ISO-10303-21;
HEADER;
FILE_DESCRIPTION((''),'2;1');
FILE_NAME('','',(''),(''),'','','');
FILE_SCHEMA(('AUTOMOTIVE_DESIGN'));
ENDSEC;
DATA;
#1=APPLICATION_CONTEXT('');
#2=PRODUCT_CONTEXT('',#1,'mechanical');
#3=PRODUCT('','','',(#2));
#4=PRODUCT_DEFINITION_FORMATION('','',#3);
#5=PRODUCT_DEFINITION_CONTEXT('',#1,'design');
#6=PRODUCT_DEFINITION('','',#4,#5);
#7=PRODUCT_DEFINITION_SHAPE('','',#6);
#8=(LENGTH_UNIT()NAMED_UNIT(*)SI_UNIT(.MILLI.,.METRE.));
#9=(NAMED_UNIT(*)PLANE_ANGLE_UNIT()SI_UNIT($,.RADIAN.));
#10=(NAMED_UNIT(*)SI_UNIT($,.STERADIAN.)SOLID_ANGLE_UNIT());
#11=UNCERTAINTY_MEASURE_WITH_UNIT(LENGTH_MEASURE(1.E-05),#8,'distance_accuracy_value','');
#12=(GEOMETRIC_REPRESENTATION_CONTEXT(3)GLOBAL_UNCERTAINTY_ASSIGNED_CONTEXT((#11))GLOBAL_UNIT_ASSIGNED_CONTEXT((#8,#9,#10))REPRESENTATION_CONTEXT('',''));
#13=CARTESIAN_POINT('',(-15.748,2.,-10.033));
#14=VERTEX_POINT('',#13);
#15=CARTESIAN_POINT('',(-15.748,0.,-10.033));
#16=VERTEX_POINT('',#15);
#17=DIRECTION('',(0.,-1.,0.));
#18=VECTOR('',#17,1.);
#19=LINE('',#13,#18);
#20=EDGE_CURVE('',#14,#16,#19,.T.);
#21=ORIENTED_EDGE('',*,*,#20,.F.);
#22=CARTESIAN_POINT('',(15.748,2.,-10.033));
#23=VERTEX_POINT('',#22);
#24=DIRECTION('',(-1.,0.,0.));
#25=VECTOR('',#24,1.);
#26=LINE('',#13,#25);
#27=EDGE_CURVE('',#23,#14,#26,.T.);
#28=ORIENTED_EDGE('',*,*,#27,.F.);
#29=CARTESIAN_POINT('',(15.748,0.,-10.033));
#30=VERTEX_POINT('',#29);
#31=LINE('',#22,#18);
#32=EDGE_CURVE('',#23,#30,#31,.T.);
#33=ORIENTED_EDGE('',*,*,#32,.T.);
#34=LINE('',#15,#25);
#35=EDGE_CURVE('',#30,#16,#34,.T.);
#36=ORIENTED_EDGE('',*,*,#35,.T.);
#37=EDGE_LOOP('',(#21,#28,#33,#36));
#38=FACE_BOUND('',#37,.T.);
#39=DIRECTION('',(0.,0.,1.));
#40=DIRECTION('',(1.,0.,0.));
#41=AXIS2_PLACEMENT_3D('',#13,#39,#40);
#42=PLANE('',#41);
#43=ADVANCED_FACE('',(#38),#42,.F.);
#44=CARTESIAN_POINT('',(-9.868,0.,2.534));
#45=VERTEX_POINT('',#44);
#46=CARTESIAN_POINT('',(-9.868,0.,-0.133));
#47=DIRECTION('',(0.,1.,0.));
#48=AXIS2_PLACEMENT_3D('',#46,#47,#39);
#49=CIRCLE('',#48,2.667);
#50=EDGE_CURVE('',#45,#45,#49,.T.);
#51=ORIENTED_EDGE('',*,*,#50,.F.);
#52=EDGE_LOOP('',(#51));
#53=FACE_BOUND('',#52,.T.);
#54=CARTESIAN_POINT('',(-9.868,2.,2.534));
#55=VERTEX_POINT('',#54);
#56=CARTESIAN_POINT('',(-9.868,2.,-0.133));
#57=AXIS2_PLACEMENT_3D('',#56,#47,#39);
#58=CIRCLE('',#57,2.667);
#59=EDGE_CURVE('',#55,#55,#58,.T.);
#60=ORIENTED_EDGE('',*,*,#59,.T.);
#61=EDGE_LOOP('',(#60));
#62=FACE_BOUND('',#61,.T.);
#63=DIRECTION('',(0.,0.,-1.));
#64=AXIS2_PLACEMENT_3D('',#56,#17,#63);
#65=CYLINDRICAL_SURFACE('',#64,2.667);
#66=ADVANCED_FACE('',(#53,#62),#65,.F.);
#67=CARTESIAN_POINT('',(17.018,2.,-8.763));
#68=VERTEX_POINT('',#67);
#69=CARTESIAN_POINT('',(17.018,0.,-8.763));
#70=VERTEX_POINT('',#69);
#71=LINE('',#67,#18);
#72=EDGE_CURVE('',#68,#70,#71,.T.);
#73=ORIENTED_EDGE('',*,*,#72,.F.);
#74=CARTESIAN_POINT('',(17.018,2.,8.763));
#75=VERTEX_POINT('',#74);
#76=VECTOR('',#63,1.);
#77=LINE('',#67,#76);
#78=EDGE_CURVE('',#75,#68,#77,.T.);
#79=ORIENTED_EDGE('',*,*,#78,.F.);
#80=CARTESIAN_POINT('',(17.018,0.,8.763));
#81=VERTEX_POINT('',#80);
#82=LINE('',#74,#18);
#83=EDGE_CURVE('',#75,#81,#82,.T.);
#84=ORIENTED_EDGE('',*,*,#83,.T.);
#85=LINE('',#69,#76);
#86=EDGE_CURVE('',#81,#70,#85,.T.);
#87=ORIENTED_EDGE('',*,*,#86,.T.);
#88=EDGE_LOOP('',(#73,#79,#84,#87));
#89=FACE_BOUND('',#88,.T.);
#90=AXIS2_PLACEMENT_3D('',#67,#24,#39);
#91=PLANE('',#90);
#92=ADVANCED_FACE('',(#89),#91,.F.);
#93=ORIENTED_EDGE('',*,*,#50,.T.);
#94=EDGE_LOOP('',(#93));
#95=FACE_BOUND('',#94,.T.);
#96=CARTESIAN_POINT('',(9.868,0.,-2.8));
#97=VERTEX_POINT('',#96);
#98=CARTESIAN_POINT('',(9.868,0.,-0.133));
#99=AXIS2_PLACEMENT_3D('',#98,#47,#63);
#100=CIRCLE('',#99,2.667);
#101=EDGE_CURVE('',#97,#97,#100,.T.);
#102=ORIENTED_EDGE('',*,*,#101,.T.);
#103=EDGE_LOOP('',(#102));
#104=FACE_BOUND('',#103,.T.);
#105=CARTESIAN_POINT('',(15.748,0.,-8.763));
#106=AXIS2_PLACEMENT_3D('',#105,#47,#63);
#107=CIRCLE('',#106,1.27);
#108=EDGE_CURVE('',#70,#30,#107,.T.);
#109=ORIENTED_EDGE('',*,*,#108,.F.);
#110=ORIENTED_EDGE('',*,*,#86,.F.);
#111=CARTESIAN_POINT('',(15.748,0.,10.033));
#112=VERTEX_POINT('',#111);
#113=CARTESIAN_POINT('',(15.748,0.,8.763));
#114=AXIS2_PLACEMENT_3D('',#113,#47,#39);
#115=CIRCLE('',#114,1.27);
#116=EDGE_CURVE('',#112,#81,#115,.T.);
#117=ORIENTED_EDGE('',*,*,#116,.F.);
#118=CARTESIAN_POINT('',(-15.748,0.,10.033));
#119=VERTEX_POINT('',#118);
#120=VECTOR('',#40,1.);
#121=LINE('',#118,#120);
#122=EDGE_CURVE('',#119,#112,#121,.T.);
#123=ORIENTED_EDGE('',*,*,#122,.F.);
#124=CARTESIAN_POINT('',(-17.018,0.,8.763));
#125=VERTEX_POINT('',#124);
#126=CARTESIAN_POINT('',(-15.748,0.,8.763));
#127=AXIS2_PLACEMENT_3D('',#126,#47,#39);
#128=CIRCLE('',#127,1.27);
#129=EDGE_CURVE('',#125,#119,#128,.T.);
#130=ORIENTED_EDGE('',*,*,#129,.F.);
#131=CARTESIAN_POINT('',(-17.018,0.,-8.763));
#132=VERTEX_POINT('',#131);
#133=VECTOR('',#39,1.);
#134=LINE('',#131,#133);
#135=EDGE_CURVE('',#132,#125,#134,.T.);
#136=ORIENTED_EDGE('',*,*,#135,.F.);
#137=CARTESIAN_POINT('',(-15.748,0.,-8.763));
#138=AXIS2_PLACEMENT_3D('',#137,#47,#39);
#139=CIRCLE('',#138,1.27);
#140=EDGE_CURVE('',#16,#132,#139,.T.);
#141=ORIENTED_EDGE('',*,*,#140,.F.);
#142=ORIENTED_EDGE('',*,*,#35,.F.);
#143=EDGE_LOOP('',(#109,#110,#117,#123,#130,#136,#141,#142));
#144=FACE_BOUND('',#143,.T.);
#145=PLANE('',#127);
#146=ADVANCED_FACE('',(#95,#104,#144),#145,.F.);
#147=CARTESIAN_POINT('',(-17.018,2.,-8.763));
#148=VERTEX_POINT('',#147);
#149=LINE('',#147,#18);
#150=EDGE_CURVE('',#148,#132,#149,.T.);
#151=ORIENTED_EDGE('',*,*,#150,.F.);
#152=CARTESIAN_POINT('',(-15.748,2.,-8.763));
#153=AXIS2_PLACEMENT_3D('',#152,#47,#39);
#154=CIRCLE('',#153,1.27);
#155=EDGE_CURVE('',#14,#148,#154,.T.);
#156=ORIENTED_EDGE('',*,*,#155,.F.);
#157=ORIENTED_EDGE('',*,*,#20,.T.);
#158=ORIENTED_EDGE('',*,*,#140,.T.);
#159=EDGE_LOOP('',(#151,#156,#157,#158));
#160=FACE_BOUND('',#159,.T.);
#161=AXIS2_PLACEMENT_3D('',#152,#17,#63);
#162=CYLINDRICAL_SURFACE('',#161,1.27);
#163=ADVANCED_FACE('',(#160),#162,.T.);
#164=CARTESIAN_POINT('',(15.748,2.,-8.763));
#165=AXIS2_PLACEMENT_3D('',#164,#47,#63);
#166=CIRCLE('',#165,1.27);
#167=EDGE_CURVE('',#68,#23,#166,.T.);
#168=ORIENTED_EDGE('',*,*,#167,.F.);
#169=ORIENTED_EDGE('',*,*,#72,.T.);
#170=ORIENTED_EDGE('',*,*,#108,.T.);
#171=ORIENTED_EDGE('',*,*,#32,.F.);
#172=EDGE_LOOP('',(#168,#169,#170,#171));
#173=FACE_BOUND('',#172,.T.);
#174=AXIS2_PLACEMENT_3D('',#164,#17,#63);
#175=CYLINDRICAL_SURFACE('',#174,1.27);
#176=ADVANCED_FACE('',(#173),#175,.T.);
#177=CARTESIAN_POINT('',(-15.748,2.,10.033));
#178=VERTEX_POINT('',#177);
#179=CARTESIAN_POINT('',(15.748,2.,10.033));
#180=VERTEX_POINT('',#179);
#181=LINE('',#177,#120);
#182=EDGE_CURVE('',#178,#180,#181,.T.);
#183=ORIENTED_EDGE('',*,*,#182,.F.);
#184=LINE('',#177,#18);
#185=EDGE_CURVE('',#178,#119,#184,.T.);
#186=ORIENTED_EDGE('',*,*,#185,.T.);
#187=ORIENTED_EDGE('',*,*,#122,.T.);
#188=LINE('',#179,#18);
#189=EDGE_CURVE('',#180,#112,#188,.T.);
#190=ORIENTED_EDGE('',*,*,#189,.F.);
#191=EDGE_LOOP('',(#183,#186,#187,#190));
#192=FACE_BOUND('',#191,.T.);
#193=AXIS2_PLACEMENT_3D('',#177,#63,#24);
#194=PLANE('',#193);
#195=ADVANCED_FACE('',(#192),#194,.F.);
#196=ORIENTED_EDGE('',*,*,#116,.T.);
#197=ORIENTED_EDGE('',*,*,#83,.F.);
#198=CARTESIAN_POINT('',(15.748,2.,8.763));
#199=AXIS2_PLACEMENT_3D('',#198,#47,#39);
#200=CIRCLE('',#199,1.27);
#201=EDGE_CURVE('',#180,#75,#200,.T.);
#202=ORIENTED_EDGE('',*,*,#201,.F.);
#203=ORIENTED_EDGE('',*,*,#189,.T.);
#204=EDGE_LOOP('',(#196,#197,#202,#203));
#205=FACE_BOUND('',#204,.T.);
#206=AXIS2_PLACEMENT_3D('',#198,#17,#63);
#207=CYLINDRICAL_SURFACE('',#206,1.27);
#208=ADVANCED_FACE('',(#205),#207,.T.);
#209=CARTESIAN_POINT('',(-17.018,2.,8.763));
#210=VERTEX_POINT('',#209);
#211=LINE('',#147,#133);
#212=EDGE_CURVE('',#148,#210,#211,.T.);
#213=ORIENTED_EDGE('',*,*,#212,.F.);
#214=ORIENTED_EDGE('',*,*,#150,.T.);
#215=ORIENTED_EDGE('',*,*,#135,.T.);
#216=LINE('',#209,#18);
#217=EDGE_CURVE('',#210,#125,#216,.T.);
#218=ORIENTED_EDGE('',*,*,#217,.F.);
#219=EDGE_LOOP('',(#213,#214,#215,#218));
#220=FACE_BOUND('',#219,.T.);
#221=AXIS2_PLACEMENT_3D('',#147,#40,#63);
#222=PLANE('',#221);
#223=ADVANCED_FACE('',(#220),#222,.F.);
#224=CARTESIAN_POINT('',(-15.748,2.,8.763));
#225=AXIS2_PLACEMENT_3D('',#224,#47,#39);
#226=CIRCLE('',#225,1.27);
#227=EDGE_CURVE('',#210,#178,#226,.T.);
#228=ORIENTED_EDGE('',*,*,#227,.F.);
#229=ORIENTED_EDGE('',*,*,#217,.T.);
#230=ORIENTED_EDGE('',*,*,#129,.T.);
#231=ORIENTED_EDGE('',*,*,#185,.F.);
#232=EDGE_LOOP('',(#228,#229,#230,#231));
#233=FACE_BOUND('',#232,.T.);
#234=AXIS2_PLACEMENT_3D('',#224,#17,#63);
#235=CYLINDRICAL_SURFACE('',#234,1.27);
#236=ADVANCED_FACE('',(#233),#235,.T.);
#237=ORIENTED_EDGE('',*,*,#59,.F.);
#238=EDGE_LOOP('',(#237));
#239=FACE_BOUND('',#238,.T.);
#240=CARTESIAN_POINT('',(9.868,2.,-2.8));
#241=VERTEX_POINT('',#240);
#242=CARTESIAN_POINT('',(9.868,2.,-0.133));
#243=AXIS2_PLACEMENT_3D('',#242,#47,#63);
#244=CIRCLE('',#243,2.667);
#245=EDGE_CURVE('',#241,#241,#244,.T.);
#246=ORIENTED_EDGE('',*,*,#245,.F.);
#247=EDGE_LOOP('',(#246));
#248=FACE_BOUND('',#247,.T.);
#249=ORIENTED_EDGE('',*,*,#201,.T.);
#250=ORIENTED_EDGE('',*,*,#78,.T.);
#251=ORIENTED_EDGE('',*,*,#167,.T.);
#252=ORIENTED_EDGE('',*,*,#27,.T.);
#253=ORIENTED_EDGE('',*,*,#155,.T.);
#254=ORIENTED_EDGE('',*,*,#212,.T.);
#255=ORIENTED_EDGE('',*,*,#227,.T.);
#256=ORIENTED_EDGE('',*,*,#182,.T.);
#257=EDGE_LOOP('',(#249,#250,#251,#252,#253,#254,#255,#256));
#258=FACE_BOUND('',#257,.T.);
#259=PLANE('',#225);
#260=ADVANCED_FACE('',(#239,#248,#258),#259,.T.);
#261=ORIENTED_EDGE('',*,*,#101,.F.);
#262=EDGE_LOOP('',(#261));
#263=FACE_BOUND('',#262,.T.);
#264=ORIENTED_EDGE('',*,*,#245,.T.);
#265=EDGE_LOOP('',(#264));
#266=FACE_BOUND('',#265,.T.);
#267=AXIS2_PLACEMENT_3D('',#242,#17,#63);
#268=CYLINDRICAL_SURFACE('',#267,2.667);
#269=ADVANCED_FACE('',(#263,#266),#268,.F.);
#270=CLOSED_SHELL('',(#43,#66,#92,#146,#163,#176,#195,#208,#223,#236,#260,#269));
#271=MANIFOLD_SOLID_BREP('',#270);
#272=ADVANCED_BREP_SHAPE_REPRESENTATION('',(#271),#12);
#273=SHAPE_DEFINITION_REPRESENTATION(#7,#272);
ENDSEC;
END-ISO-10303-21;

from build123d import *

# Parameters (mm, degrees)
SKETCH1_R           = 2.667
BOSS_EXTRUDE1_DEPTH = 2


with BuildPart() as part:
    # Sketch1 → Boss-Extrude1 (new body)
    with BuildSketch(Plane(origin=(0, 0, 0), x_dir=(1, 0, 0), z_dir=(0, 1, 0))):
        with BuildLine():
            Line((-15.748, 10.033), (15.748, 10.033))
            ThreePointArc((15.748, 10.033), (16.646025612, 9.661025612), (17.018, 8.763))
            Line((17.018, 8.763), (17.018, -8.763))
            ThreePointArc((17.018, -8.763), (16.646025612, -9.661025612), (15.748, -10.033))
            Line((15.748, -10.033), (-15.748, -10.033))
            ThreePointArc((-15.748, -10.033), (-16.646025612, -9.661025612), (-17.018, -8.763))
            Line((-17.018, -8.763), (-17.018, 8.763))
            ThreePointArc((-17.018, 8.763), (-16.646025612, 9.661025612), (-15.748, 10.033))
        make_face()
        with Locations((-9.868, 0.133)):
            Circle(SKETCH1_R, mode=Mode.SUBTRACT)
        with Locations((9.868, 0.133)):
            Circle(SKETCH1_R, mode=Mode.SUBTRACT)
    extrude(amount=BOSS_EXTRUDE1_DEPTH)


solid = part.part
